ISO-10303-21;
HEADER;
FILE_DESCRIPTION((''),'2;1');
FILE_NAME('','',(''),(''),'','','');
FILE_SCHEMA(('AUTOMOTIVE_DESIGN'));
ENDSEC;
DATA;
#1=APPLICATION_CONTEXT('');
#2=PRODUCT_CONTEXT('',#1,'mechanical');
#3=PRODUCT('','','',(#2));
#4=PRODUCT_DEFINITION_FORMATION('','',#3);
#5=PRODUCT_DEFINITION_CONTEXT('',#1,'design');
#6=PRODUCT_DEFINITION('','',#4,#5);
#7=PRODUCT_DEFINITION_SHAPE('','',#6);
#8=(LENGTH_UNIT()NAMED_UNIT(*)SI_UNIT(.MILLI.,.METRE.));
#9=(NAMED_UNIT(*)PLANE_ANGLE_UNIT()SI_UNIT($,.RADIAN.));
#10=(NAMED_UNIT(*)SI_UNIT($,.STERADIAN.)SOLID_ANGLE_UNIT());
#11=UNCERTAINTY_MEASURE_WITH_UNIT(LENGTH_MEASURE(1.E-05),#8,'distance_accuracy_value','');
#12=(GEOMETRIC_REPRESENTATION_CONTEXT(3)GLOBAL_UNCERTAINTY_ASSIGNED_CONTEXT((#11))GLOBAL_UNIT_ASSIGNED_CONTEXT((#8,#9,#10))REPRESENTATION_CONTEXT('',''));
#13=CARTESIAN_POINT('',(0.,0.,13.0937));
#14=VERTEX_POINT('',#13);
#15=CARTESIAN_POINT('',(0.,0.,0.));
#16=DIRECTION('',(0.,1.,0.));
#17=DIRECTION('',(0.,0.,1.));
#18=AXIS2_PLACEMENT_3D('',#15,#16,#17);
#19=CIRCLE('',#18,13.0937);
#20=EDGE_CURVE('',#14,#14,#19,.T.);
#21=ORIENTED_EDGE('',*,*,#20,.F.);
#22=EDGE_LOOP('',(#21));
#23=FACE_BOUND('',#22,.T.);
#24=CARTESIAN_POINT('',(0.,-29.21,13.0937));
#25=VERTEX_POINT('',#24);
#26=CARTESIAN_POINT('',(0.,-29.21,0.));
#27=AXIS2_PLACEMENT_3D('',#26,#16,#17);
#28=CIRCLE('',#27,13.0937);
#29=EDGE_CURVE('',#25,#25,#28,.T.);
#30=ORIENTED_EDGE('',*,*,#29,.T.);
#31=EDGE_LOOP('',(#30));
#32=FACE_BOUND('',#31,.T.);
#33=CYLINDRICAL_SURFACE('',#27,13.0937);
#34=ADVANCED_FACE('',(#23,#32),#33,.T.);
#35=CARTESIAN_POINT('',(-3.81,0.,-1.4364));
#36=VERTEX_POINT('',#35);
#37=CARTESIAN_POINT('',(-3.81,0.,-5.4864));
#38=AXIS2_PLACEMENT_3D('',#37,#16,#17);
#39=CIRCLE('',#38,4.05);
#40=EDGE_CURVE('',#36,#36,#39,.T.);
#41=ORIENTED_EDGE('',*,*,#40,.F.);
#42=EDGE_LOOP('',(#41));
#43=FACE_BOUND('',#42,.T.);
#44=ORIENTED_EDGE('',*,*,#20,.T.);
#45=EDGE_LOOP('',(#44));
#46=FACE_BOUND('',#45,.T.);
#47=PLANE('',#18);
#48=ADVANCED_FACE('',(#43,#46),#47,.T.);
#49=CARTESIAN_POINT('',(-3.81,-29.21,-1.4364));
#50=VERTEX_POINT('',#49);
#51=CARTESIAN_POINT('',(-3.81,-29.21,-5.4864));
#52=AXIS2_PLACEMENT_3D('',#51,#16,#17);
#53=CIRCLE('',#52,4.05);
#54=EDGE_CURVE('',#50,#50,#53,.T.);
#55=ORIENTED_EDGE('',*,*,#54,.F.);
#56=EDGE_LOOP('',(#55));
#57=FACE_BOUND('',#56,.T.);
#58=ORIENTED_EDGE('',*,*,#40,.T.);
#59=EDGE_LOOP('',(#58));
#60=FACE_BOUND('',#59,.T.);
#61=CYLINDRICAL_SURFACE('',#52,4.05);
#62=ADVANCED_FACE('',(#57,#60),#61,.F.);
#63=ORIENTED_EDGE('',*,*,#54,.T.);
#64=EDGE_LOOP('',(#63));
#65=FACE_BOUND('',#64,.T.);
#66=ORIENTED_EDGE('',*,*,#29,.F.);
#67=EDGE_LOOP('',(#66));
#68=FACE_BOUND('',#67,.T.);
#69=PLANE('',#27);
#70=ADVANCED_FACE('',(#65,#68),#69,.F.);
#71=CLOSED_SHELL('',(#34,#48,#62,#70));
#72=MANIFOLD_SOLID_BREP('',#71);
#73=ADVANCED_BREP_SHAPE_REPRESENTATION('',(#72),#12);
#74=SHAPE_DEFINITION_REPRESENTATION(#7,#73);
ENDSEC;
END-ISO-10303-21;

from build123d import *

# Parameters (mm, degrees)
SKETCH1_R           = 13.0937
SKETCH1_R_2         = 4.05
BOSS_EXTRUDE1_DEPTH = 29.21


with BuildPart() as part:
    # Sketch1 → Boss-Extrude1 (new body)
    with BuildSketch(Plane(origin=(0, 0, 0), x_dir=(1, 0, 0), z_dir=(0, 1, 0))):
        Circle(SKETCH1_R)
        with Locations((-3.81, 5.4864)):
            Circle(SKETCH1_R_2, mode=Mode.SUBTRACT)
    extrude(amount=-BOSS_EXTRUDE1_DEPTH)


solid = part.part
